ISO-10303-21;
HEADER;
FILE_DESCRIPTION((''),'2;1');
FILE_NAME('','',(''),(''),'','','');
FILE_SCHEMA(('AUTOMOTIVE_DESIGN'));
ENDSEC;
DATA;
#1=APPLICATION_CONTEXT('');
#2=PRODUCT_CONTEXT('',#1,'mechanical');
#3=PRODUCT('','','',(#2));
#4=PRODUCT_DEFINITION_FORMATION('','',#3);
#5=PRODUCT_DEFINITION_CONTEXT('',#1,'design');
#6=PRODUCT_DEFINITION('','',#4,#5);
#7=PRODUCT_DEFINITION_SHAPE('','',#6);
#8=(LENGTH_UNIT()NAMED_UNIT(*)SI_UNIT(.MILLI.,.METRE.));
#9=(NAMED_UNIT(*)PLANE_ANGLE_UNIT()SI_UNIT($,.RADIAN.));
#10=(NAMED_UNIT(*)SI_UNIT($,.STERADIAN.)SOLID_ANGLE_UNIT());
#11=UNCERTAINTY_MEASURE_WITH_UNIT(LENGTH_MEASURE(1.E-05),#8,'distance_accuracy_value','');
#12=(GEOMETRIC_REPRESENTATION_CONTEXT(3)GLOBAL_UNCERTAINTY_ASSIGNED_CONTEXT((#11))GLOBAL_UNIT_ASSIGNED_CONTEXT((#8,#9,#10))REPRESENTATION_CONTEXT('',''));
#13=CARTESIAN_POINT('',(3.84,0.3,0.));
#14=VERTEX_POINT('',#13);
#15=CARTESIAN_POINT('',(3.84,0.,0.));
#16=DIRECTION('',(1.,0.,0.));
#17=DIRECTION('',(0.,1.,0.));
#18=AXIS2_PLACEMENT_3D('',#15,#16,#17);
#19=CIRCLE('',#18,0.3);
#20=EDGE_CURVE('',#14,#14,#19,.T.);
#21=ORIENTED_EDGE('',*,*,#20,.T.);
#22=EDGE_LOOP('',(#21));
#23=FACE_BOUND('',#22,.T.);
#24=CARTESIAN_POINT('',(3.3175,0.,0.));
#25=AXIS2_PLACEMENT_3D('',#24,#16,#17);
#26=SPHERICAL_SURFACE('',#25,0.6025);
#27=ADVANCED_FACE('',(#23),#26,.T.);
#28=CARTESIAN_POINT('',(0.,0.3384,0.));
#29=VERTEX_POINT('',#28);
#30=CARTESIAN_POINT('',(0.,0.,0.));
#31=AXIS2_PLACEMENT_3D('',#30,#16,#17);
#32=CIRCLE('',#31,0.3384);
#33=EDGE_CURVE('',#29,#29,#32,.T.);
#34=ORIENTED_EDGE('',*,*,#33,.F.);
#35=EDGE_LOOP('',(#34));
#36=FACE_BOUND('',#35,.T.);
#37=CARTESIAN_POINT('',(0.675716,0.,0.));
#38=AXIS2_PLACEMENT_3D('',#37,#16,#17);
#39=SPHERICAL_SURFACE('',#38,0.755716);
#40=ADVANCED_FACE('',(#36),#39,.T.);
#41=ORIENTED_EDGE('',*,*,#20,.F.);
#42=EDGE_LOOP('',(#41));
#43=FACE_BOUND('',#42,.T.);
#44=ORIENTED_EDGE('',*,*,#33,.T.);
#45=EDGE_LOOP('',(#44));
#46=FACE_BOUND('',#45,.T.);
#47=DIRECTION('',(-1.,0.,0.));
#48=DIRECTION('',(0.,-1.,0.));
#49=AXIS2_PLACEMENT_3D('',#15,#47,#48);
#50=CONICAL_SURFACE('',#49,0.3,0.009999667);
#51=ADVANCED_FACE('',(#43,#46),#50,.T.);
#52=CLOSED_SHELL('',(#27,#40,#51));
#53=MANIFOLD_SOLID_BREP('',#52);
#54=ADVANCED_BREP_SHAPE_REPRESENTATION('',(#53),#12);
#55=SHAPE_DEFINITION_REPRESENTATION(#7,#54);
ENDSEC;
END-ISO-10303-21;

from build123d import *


with BuildPart() as part:
    # Skica1 → Otočit kolem osy1 (revolve)
    with BuildSketch(Plane.XY):
        with BuildLine():
            Line((0, 0.3384), (3.84, 0.3))
            ThreePointArc((3.84, 0.3), (3.899656551, 0.155241747), (3.92, 0))
            Line((3.92, 0), (3.84, 0))
            Line((3.84, 0), (0, 0))
            Line((0, 0), (-0.08, 0))
            ThreePointArc((-0.08, 0), (-0.059728106, 0.173863855), (0, 0.3384))
        make_face()
    revolve(axis=Axis((3.84, 0, 0), (-1, 0, 0)))


solid = part.part
